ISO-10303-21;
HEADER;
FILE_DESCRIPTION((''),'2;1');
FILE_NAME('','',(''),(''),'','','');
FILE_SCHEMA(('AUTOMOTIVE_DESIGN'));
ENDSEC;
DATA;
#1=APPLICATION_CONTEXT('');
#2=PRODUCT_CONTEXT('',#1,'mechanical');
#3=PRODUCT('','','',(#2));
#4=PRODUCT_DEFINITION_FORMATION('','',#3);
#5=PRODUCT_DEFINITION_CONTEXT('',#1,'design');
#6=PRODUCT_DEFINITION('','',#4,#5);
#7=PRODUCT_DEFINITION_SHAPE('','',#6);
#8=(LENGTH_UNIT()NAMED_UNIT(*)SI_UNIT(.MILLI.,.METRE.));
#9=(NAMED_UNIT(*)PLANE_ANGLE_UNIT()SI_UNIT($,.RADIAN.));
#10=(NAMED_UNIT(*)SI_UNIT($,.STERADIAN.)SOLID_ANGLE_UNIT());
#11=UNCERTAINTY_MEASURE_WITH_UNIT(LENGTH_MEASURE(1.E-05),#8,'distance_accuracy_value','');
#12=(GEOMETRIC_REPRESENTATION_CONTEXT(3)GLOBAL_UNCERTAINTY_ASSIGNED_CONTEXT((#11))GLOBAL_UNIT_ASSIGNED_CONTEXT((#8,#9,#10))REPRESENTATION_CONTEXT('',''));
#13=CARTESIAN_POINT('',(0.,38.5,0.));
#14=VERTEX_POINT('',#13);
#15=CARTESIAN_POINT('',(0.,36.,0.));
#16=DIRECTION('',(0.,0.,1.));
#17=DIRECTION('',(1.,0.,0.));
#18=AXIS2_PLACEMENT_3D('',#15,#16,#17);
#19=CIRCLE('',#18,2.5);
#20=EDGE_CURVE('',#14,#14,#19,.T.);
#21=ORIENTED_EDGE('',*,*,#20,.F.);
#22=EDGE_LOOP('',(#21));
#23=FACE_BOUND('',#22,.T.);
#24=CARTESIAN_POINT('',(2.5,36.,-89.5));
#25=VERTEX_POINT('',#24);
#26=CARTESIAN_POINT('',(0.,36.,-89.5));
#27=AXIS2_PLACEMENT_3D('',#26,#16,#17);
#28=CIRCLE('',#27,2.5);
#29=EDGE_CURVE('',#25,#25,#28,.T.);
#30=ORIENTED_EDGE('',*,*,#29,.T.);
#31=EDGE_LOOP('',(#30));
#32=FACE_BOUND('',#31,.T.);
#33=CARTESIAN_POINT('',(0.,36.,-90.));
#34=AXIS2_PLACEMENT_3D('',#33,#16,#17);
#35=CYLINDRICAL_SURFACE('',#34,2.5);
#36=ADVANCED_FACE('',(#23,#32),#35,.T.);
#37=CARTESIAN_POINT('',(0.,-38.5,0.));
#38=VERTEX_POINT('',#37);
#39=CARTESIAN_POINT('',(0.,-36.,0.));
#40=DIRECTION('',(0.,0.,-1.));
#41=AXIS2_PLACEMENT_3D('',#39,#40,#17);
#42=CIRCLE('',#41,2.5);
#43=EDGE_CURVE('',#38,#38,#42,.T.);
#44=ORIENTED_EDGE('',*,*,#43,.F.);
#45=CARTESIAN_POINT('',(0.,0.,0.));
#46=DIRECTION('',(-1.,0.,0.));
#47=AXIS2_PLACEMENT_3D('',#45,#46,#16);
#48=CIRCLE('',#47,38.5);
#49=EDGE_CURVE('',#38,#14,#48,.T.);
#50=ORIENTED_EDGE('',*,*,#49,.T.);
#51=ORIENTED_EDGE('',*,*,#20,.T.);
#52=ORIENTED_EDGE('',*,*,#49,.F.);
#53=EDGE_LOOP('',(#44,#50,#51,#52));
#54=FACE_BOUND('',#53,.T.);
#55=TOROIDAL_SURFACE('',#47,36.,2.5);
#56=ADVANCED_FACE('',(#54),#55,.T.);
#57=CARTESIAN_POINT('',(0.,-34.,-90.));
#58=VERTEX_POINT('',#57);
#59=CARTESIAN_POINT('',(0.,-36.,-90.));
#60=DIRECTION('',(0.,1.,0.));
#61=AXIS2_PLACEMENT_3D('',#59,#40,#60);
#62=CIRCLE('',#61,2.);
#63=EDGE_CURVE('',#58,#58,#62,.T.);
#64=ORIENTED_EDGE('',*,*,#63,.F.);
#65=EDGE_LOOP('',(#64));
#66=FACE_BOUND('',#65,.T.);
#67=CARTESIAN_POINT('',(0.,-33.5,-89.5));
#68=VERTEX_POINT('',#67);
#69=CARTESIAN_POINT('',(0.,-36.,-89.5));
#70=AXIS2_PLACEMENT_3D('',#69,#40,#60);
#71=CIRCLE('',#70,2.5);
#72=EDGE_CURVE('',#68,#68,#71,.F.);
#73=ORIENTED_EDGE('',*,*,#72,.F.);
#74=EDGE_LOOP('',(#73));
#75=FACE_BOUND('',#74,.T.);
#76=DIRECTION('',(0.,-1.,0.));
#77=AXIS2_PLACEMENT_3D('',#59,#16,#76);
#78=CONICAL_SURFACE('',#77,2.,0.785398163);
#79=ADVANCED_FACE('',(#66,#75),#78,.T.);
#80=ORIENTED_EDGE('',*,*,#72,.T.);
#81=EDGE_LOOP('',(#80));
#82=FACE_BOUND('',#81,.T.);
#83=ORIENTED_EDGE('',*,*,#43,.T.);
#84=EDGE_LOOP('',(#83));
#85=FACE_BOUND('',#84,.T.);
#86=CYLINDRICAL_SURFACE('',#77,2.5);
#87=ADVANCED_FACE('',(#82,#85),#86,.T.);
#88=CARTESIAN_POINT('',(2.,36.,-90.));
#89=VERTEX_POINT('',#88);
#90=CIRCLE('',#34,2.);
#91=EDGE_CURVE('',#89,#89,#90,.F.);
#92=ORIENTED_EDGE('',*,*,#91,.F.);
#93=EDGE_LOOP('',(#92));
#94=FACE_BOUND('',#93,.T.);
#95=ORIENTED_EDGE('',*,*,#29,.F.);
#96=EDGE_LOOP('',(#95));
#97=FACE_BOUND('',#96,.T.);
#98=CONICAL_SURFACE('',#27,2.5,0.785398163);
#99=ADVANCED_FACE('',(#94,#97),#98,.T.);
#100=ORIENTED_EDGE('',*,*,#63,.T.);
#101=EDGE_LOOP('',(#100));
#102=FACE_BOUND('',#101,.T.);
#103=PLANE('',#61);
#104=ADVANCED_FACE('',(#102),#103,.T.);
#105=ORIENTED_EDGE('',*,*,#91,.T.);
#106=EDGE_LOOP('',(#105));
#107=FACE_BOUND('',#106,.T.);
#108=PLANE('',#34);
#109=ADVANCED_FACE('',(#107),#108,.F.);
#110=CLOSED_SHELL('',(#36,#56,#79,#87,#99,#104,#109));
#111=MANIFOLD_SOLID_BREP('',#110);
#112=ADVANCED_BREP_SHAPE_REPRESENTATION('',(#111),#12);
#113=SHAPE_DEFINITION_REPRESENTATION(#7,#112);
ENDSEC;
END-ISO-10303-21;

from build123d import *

# Parameters (mm, degrees)
SKETCH1_R           = 2.5
REVOLVE1_ANGLE      = 180
SKETCH1_2_R         = 2.5
BOSS_EXTRUDE1_DEPTH = 90
SKETCH2_R           = 2.5
BOSS_EXTRUDE2_DEPTH = 90
CHAMFER1_SIZE       = 0.5


with BuildPart() as part:
    # Sketch1 → Revolve1 (revolve)
    with BuildSketch(Plane.XY):
        with Locations((0, 36)):
            Circle(SKETCH1_R)
    revolve(axis=Axis((0, 0, 0), (1, 0, 0)), revolution_arc=REVOLVE1_ANGLE)

    # Sketch1<2> → Boss-Extrude1 (add)
    with BuildSketch(Plane.XY):
        with Locations((0, 36)):
            Circle(SKETCH1_2_R)
    extrude(amount=-BOSS_EXTRUDE1_DEPTH)

    # Sketch2 → Boss-Extrude2 (add)
    with BuildSketch(Plane(origin=(0, 0, 0), x_dir=(-1, 0, 0), z_dir=(0, 0, -1))):
        with Locations((0, -36)):
            Circle(SKETCH2_R)
    extrude(amount=BOSS_EXTRUDE2_DEPTH)

    # Chamfer1
    chamfer1_edges = [part.edges().sort_by_distance(p)[0] for p in [
        (2.5, -36, -90),
        (-2.5, 36, -90),
    ]]
    chamfer(chamfer1_edges, length=CHAMFER1_SIZE)


solid = part.part
